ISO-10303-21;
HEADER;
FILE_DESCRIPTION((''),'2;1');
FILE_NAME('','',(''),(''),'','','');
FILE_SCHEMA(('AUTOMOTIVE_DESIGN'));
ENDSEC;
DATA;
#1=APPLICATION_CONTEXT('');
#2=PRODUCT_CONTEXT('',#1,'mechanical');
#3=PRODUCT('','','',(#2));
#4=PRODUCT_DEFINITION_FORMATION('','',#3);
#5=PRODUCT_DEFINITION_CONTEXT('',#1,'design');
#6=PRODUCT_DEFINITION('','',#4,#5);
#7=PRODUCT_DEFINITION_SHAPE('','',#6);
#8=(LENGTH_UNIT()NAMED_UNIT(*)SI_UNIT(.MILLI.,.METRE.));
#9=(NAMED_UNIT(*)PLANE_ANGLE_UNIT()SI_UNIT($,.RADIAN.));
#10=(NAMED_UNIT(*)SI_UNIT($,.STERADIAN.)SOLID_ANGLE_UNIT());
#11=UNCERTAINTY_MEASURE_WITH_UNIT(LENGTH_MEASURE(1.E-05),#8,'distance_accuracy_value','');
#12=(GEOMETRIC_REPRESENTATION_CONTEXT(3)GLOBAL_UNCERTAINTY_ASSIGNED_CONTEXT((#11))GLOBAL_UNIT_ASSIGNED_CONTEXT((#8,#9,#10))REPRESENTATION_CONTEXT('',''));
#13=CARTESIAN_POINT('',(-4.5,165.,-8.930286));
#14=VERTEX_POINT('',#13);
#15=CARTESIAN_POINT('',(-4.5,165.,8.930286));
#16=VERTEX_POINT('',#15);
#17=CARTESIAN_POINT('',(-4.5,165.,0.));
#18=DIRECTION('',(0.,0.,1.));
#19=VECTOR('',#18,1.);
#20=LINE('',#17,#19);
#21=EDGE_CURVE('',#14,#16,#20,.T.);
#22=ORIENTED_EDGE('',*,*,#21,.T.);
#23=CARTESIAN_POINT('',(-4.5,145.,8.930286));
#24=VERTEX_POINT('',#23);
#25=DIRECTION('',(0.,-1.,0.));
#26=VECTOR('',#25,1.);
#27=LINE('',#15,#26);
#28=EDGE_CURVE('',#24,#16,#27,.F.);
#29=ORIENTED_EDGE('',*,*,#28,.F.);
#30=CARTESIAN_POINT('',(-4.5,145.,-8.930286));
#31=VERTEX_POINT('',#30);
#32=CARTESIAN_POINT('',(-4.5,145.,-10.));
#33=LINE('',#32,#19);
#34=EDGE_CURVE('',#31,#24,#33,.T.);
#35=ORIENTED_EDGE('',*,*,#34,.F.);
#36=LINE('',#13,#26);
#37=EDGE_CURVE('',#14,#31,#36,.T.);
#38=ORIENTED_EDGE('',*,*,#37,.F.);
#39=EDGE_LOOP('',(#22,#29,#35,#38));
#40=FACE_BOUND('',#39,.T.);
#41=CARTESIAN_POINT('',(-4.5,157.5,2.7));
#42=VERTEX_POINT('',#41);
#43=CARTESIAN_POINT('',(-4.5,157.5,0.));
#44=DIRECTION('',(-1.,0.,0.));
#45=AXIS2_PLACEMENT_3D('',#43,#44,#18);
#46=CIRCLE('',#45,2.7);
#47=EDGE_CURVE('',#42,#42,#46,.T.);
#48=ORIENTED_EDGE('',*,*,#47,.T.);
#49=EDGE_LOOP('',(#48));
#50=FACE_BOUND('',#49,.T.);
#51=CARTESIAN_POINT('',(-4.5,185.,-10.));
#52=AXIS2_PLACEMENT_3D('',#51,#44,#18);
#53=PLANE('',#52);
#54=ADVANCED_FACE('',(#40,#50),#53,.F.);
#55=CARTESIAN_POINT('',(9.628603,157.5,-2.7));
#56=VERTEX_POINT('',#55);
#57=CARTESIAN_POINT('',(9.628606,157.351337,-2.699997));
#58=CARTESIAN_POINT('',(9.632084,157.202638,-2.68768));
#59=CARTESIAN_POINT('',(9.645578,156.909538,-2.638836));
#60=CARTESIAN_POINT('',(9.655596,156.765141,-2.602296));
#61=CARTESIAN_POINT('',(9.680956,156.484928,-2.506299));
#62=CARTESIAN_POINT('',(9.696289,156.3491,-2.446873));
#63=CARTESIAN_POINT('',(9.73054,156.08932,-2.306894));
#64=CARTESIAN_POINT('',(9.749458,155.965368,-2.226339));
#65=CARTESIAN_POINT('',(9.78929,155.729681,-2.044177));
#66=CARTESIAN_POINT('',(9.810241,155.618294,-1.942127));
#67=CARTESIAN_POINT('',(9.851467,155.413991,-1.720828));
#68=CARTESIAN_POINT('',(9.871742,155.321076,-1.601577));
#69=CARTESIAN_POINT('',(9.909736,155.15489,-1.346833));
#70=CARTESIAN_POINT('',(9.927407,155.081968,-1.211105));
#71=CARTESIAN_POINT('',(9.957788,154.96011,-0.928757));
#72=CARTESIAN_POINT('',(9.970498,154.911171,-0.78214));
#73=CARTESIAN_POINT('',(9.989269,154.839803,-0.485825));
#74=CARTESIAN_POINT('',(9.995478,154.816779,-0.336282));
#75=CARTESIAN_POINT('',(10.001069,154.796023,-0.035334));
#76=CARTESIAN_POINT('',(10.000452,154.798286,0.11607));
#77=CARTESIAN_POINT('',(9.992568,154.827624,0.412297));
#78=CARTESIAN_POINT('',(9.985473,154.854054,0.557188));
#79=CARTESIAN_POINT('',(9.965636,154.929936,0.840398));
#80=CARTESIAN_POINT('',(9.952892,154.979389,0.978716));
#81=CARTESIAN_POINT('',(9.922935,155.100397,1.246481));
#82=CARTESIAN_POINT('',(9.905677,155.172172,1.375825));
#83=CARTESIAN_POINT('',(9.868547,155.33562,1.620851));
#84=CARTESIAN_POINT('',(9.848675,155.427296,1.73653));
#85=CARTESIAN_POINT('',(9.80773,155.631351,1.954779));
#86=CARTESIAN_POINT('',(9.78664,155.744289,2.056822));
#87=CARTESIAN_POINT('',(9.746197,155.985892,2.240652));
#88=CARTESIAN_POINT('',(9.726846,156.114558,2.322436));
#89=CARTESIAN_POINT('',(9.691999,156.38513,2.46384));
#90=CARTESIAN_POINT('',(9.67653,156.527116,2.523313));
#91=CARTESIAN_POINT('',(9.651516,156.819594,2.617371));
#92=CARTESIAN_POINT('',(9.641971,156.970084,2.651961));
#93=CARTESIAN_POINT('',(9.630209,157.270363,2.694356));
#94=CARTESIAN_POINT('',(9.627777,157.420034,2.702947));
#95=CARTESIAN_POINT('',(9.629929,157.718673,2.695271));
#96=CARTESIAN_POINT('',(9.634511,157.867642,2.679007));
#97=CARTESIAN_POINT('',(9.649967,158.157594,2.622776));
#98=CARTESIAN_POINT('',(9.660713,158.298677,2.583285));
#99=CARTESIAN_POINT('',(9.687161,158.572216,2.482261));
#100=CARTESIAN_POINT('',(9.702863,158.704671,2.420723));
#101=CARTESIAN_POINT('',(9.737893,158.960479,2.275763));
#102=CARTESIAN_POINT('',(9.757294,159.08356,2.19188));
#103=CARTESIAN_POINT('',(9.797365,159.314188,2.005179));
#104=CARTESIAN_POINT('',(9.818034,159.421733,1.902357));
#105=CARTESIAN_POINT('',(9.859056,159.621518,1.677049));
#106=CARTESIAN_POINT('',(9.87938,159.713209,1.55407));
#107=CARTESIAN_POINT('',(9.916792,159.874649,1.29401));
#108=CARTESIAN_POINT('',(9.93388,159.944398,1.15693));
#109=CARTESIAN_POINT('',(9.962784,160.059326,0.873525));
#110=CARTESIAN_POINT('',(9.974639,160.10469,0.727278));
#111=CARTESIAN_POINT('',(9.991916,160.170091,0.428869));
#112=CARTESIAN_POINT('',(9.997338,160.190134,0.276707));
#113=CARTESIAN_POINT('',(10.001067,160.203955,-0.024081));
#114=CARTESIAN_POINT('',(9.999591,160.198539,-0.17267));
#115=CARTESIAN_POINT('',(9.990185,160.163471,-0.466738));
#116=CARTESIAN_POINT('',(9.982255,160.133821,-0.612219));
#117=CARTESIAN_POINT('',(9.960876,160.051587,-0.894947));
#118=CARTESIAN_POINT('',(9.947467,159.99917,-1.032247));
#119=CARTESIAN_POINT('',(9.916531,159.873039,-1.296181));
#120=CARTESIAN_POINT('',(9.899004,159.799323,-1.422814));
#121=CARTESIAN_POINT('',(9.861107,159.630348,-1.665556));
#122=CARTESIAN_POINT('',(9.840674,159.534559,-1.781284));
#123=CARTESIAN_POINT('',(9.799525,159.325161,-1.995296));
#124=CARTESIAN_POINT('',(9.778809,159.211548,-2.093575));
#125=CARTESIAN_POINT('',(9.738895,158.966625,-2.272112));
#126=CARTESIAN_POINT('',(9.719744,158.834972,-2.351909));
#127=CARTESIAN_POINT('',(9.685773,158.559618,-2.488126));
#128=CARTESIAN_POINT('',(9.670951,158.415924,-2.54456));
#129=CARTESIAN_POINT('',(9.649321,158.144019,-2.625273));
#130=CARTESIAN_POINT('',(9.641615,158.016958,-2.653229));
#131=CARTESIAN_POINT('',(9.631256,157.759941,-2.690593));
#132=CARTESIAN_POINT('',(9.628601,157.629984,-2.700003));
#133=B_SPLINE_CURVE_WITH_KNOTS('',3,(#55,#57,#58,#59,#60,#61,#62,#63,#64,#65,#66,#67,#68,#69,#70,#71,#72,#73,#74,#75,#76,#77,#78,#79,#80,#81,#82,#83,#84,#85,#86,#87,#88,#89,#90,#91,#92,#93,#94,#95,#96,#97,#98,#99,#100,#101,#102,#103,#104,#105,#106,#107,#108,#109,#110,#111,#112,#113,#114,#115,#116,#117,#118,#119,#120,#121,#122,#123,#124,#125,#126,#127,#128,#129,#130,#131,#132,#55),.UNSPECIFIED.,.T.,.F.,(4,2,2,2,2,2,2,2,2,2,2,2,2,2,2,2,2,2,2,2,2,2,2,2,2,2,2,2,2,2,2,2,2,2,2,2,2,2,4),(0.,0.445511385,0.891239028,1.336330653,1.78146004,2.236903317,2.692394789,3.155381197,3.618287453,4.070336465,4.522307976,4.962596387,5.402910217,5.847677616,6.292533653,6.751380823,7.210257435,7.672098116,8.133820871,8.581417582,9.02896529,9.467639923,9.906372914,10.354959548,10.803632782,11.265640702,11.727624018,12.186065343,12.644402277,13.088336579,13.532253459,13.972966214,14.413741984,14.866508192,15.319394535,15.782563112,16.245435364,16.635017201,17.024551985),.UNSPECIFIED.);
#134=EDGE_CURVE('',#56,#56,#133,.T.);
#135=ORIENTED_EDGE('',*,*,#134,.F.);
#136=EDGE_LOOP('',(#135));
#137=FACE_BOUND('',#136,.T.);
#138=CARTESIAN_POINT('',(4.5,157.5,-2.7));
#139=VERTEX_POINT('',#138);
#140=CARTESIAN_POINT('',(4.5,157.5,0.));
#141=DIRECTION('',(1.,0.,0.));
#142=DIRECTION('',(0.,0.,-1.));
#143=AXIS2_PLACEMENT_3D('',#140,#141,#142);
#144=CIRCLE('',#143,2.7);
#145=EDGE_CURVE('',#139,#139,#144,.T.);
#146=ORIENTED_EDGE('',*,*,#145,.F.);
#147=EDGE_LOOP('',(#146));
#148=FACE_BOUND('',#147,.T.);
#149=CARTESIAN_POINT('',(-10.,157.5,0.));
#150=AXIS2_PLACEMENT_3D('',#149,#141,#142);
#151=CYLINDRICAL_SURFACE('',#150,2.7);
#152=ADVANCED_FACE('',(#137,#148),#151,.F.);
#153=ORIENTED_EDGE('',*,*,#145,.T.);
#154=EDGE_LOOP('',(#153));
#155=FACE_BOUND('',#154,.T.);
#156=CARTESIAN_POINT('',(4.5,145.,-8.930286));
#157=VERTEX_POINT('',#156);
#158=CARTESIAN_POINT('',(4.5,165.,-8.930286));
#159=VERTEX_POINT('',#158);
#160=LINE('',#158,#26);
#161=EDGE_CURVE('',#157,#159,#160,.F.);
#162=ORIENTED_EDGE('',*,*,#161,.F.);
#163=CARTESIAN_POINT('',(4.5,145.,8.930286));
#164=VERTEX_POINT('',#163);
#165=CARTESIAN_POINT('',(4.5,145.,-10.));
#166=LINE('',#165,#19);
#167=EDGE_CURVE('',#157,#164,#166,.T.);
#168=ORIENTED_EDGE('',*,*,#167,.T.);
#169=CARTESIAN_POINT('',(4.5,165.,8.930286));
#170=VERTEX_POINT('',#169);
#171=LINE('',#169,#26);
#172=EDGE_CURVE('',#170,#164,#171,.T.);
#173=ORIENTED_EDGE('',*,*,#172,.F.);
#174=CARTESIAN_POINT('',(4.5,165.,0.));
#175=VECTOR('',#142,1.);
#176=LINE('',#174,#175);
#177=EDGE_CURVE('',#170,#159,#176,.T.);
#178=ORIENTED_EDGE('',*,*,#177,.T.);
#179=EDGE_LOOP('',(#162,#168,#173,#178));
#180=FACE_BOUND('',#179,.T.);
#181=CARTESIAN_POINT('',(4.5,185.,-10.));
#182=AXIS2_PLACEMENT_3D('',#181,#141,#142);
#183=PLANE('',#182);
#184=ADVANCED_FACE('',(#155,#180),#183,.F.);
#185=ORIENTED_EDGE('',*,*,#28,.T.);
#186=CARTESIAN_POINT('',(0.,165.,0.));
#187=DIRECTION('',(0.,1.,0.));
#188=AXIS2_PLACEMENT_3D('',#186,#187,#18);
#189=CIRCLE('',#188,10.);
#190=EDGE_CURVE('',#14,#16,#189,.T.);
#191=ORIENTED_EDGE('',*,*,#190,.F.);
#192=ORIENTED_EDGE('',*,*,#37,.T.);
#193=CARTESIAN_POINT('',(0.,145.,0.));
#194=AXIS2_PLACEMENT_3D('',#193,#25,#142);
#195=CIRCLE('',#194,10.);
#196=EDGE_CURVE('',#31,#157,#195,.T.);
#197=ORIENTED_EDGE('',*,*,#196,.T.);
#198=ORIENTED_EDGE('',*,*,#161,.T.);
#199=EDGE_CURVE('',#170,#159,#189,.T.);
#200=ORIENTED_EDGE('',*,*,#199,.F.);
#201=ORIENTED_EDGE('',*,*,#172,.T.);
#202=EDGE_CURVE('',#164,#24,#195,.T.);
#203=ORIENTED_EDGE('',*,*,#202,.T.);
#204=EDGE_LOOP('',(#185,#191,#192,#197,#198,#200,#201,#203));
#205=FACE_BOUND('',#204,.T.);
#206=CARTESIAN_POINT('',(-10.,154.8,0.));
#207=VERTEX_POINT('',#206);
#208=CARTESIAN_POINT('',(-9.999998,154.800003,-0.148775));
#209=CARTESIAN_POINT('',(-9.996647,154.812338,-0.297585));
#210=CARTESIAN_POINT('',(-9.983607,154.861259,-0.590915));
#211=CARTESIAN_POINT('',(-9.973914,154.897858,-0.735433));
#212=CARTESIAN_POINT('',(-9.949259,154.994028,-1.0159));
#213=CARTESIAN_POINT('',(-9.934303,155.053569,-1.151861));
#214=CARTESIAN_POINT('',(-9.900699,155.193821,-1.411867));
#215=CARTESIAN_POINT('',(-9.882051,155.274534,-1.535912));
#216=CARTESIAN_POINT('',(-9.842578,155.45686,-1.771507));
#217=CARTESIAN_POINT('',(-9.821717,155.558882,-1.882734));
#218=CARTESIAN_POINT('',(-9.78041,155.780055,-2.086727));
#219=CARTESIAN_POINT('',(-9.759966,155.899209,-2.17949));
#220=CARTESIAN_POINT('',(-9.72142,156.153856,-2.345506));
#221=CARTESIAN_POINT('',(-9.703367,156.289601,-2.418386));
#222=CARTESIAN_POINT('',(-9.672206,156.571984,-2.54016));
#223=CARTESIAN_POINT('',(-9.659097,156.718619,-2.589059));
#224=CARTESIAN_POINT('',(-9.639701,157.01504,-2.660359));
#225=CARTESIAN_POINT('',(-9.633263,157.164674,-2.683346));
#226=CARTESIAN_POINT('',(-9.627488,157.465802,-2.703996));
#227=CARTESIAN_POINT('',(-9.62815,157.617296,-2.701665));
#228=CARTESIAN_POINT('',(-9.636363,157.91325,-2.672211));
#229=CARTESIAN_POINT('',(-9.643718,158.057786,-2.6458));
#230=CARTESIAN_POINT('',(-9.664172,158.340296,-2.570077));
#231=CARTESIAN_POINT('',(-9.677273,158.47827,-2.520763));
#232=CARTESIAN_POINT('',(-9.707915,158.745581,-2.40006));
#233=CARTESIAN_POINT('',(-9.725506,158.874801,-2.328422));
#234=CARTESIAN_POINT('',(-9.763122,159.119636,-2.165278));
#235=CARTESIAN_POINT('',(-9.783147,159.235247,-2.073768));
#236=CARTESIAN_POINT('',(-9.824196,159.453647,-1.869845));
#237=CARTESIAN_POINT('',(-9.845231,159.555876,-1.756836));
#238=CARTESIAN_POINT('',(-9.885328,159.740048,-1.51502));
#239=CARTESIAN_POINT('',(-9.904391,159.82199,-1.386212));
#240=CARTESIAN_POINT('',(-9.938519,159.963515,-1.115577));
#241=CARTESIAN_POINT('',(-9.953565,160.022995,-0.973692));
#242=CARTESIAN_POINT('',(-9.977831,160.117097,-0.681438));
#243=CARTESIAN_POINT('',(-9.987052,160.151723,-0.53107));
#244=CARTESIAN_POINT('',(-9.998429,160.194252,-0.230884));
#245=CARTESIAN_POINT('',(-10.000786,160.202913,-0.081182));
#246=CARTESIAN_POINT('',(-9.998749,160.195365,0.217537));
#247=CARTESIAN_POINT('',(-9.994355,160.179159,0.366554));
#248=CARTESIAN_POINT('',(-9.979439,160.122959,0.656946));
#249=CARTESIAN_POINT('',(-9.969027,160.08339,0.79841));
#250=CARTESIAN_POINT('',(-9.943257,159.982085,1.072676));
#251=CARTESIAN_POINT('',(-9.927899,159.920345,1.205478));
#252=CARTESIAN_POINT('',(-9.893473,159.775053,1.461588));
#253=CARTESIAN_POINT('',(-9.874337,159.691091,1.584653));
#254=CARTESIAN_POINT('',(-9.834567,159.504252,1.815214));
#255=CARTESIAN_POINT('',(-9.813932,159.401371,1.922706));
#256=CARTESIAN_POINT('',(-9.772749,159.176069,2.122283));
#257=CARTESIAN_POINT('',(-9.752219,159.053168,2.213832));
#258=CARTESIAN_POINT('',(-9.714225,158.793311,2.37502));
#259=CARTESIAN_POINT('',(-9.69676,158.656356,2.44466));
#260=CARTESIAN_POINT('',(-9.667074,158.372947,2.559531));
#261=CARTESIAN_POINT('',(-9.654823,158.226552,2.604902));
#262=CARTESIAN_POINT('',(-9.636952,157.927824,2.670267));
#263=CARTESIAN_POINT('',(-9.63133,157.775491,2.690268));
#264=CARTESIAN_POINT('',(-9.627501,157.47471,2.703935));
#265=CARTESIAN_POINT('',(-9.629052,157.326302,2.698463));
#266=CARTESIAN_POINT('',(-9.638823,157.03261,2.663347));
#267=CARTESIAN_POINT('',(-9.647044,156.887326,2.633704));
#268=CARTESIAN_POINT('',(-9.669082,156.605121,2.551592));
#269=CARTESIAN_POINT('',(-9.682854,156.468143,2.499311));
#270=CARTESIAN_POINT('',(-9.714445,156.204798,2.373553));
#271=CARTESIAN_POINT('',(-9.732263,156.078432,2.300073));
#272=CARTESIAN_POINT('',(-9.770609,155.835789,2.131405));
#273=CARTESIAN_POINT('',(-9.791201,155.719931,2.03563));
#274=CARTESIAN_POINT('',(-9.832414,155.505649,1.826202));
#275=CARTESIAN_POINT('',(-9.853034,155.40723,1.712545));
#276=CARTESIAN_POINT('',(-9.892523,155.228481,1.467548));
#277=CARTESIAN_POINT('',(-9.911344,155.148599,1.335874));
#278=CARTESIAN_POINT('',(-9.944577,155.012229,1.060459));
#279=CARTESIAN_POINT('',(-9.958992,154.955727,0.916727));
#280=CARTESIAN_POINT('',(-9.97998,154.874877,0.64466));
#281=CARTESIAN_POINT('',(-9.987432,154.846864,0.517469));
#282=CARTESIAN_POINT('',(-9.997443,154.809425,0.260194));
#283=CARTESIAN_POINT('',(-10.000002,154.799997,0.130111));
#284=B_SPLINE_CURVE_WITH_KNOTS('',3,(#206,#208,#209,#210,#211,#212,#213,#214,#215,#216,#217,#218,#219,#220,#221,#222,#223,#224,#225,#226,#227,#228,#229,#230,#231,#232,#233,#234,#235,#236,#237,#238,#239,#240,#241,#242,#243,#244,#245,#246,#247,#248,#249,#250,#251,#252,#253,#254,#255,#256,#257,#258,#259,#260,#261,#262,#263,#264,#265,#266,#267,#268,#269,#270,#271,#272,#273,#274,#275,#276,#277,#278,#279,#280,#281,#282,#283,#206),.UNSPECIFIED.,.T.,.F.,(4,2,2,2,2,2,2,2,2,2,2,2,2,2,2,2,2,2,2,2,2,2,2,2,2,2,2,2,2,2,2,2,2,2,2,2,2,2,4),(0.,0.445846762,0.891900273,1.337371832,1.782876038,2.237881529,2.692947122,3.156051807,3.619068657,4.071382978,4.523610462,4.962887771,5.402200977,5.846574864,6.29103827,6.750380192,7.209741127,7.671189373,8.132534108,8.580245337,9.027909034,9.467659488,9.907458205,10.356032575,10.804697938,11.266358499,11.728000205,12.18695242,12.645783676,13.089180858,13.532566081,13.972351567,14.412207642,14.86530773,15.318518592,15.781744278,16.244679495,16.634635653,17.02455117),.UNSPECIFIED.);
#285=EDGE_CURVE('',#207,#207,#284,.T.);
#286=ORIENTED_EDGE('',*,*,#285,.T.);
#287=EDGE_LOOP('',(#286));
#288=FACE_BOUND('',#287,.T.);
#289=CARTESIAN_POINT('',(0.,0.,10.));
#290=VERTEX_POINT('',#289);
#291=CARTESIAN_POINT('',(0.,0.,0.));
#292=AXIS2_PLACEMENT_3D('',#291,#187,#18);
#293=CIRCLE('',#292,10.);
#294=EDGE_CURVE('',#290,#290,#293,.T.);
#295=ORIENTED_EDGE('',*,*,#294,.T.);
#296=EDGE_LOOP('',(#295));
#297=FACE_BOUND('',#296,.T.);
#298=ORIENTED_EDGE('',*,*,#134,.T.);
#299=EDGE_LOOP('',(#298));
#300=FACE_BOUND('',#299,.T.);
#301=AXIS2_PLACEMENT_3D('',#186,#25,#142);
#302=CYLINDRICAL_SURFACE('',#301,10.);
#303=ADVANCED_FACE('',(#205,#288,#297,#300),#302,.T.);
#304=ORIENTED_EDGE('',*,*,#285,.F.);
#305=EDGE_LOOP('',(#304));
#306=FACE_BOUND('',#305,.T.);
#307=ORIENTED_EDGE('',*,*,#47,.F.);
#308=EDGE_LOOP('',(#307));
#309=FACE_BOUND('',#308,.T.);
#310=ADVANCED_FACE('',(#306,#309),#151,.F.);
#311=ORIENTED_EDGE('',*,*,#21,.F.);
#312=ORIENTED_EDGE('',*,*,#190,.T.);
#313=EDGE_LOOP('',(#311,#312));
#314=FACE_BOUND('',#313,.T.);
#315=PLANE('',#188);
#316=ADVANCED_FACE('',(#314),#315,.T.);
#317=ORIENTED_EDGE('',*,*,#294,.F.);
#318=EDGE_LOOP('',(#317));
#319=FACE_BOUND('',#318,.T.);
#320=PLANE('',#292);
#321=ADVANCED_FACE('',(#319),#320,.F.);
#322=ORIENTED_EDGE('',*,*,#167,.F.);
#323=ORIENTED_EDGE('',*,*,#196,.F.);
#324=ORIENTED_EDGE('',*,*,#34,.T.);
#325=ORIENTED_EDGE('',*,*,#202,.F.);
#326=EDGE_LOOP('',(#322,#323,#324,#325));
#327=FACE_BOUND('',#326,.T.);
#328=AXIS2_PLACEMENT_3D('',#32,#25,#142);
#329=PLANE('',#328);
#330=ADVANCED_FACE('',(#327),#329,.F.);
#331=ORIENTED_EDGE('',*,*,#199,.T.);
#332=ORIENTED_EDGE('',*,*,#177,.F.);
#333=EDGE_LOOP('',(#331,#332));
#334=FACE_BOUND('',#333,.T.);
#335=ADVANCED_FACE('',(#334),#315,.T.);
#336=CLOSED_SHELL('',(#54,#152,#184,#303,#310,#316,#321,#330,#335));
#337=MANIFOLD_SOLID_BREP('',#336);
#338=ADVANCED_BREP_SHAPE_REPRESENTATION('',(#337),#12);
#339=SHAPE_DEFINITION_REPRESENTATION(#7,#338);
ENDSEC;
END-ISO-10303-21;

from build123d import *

# Parameters (mm, degrees)
SKETCH1_R               = 10
BOSS_EXTRUDE1_DEPTH     = 165
CUT_EXTRUDE1_DEPTH      = 166.604951617
CUT_EXTRUDE1_DEPTH_BACK = 166.604951617
SKETCH2_W               = 9
SKETCH2_H               = 40
CUT_EXTRUDE2_DEPTH      = 166.604951617
CUT_EXTRUDE2_DEPTH_BACK = 166.604951617
SKETCH3_R               = 2.7


with BuildPart() as part:
    # Sketch1 → Boss-Extrude1 (new body)
    with BuildSketch(Plane(origin=(0, 0, 0), x_dir=(1, 0, 0), z_dir=(0, 1, 0))):
        with Locations(Location((0, 0, 0), (0, 0, 270))):
            Circle(SKETCH1_R)
    extrude(amount=BOSS_EXTRUDE1_DEPTH)

    # Sketch2 → Cut-Extrude1 (cut, two sides: drawn at the far end of the back side and taken through both)
    with BuildSketch(Plane.XY.offset(-CUT_EXTRUDE1_DEPTH_BACK)):
        with Locations((0, 165)):
            Rectangle(SKETCH2_W, SKETCH2_H)
    extrude(amount=CUT_EXTRUDE1_DEPTH + CUT_EXTRUDE1_DEPTH_BACK, mode=Mode.SUBTRACT)

    # Sketch3 → Cut-Extrude2 (cut, two sides: drawn at the far end of the back side and taken through both)
    with BuildSketch(Plane(origin=(0, 0, 0), x_dir=(0, 0, -1), z_dir=(1, 0, 0)).offset(-CUT_EXTRUDE2_DEPTH_BACK)):
        with Locations(Location((0, 157.5, 0), (0, 0, 270))):
            Circle(SKETCH3_R)
    extrude(amount=CUT_EXTRUDE2_DEPTH + CUT_EXTRUDE2_DEPTH_BACK, mode=Mode.SUBTRACT)


solid = part.part
